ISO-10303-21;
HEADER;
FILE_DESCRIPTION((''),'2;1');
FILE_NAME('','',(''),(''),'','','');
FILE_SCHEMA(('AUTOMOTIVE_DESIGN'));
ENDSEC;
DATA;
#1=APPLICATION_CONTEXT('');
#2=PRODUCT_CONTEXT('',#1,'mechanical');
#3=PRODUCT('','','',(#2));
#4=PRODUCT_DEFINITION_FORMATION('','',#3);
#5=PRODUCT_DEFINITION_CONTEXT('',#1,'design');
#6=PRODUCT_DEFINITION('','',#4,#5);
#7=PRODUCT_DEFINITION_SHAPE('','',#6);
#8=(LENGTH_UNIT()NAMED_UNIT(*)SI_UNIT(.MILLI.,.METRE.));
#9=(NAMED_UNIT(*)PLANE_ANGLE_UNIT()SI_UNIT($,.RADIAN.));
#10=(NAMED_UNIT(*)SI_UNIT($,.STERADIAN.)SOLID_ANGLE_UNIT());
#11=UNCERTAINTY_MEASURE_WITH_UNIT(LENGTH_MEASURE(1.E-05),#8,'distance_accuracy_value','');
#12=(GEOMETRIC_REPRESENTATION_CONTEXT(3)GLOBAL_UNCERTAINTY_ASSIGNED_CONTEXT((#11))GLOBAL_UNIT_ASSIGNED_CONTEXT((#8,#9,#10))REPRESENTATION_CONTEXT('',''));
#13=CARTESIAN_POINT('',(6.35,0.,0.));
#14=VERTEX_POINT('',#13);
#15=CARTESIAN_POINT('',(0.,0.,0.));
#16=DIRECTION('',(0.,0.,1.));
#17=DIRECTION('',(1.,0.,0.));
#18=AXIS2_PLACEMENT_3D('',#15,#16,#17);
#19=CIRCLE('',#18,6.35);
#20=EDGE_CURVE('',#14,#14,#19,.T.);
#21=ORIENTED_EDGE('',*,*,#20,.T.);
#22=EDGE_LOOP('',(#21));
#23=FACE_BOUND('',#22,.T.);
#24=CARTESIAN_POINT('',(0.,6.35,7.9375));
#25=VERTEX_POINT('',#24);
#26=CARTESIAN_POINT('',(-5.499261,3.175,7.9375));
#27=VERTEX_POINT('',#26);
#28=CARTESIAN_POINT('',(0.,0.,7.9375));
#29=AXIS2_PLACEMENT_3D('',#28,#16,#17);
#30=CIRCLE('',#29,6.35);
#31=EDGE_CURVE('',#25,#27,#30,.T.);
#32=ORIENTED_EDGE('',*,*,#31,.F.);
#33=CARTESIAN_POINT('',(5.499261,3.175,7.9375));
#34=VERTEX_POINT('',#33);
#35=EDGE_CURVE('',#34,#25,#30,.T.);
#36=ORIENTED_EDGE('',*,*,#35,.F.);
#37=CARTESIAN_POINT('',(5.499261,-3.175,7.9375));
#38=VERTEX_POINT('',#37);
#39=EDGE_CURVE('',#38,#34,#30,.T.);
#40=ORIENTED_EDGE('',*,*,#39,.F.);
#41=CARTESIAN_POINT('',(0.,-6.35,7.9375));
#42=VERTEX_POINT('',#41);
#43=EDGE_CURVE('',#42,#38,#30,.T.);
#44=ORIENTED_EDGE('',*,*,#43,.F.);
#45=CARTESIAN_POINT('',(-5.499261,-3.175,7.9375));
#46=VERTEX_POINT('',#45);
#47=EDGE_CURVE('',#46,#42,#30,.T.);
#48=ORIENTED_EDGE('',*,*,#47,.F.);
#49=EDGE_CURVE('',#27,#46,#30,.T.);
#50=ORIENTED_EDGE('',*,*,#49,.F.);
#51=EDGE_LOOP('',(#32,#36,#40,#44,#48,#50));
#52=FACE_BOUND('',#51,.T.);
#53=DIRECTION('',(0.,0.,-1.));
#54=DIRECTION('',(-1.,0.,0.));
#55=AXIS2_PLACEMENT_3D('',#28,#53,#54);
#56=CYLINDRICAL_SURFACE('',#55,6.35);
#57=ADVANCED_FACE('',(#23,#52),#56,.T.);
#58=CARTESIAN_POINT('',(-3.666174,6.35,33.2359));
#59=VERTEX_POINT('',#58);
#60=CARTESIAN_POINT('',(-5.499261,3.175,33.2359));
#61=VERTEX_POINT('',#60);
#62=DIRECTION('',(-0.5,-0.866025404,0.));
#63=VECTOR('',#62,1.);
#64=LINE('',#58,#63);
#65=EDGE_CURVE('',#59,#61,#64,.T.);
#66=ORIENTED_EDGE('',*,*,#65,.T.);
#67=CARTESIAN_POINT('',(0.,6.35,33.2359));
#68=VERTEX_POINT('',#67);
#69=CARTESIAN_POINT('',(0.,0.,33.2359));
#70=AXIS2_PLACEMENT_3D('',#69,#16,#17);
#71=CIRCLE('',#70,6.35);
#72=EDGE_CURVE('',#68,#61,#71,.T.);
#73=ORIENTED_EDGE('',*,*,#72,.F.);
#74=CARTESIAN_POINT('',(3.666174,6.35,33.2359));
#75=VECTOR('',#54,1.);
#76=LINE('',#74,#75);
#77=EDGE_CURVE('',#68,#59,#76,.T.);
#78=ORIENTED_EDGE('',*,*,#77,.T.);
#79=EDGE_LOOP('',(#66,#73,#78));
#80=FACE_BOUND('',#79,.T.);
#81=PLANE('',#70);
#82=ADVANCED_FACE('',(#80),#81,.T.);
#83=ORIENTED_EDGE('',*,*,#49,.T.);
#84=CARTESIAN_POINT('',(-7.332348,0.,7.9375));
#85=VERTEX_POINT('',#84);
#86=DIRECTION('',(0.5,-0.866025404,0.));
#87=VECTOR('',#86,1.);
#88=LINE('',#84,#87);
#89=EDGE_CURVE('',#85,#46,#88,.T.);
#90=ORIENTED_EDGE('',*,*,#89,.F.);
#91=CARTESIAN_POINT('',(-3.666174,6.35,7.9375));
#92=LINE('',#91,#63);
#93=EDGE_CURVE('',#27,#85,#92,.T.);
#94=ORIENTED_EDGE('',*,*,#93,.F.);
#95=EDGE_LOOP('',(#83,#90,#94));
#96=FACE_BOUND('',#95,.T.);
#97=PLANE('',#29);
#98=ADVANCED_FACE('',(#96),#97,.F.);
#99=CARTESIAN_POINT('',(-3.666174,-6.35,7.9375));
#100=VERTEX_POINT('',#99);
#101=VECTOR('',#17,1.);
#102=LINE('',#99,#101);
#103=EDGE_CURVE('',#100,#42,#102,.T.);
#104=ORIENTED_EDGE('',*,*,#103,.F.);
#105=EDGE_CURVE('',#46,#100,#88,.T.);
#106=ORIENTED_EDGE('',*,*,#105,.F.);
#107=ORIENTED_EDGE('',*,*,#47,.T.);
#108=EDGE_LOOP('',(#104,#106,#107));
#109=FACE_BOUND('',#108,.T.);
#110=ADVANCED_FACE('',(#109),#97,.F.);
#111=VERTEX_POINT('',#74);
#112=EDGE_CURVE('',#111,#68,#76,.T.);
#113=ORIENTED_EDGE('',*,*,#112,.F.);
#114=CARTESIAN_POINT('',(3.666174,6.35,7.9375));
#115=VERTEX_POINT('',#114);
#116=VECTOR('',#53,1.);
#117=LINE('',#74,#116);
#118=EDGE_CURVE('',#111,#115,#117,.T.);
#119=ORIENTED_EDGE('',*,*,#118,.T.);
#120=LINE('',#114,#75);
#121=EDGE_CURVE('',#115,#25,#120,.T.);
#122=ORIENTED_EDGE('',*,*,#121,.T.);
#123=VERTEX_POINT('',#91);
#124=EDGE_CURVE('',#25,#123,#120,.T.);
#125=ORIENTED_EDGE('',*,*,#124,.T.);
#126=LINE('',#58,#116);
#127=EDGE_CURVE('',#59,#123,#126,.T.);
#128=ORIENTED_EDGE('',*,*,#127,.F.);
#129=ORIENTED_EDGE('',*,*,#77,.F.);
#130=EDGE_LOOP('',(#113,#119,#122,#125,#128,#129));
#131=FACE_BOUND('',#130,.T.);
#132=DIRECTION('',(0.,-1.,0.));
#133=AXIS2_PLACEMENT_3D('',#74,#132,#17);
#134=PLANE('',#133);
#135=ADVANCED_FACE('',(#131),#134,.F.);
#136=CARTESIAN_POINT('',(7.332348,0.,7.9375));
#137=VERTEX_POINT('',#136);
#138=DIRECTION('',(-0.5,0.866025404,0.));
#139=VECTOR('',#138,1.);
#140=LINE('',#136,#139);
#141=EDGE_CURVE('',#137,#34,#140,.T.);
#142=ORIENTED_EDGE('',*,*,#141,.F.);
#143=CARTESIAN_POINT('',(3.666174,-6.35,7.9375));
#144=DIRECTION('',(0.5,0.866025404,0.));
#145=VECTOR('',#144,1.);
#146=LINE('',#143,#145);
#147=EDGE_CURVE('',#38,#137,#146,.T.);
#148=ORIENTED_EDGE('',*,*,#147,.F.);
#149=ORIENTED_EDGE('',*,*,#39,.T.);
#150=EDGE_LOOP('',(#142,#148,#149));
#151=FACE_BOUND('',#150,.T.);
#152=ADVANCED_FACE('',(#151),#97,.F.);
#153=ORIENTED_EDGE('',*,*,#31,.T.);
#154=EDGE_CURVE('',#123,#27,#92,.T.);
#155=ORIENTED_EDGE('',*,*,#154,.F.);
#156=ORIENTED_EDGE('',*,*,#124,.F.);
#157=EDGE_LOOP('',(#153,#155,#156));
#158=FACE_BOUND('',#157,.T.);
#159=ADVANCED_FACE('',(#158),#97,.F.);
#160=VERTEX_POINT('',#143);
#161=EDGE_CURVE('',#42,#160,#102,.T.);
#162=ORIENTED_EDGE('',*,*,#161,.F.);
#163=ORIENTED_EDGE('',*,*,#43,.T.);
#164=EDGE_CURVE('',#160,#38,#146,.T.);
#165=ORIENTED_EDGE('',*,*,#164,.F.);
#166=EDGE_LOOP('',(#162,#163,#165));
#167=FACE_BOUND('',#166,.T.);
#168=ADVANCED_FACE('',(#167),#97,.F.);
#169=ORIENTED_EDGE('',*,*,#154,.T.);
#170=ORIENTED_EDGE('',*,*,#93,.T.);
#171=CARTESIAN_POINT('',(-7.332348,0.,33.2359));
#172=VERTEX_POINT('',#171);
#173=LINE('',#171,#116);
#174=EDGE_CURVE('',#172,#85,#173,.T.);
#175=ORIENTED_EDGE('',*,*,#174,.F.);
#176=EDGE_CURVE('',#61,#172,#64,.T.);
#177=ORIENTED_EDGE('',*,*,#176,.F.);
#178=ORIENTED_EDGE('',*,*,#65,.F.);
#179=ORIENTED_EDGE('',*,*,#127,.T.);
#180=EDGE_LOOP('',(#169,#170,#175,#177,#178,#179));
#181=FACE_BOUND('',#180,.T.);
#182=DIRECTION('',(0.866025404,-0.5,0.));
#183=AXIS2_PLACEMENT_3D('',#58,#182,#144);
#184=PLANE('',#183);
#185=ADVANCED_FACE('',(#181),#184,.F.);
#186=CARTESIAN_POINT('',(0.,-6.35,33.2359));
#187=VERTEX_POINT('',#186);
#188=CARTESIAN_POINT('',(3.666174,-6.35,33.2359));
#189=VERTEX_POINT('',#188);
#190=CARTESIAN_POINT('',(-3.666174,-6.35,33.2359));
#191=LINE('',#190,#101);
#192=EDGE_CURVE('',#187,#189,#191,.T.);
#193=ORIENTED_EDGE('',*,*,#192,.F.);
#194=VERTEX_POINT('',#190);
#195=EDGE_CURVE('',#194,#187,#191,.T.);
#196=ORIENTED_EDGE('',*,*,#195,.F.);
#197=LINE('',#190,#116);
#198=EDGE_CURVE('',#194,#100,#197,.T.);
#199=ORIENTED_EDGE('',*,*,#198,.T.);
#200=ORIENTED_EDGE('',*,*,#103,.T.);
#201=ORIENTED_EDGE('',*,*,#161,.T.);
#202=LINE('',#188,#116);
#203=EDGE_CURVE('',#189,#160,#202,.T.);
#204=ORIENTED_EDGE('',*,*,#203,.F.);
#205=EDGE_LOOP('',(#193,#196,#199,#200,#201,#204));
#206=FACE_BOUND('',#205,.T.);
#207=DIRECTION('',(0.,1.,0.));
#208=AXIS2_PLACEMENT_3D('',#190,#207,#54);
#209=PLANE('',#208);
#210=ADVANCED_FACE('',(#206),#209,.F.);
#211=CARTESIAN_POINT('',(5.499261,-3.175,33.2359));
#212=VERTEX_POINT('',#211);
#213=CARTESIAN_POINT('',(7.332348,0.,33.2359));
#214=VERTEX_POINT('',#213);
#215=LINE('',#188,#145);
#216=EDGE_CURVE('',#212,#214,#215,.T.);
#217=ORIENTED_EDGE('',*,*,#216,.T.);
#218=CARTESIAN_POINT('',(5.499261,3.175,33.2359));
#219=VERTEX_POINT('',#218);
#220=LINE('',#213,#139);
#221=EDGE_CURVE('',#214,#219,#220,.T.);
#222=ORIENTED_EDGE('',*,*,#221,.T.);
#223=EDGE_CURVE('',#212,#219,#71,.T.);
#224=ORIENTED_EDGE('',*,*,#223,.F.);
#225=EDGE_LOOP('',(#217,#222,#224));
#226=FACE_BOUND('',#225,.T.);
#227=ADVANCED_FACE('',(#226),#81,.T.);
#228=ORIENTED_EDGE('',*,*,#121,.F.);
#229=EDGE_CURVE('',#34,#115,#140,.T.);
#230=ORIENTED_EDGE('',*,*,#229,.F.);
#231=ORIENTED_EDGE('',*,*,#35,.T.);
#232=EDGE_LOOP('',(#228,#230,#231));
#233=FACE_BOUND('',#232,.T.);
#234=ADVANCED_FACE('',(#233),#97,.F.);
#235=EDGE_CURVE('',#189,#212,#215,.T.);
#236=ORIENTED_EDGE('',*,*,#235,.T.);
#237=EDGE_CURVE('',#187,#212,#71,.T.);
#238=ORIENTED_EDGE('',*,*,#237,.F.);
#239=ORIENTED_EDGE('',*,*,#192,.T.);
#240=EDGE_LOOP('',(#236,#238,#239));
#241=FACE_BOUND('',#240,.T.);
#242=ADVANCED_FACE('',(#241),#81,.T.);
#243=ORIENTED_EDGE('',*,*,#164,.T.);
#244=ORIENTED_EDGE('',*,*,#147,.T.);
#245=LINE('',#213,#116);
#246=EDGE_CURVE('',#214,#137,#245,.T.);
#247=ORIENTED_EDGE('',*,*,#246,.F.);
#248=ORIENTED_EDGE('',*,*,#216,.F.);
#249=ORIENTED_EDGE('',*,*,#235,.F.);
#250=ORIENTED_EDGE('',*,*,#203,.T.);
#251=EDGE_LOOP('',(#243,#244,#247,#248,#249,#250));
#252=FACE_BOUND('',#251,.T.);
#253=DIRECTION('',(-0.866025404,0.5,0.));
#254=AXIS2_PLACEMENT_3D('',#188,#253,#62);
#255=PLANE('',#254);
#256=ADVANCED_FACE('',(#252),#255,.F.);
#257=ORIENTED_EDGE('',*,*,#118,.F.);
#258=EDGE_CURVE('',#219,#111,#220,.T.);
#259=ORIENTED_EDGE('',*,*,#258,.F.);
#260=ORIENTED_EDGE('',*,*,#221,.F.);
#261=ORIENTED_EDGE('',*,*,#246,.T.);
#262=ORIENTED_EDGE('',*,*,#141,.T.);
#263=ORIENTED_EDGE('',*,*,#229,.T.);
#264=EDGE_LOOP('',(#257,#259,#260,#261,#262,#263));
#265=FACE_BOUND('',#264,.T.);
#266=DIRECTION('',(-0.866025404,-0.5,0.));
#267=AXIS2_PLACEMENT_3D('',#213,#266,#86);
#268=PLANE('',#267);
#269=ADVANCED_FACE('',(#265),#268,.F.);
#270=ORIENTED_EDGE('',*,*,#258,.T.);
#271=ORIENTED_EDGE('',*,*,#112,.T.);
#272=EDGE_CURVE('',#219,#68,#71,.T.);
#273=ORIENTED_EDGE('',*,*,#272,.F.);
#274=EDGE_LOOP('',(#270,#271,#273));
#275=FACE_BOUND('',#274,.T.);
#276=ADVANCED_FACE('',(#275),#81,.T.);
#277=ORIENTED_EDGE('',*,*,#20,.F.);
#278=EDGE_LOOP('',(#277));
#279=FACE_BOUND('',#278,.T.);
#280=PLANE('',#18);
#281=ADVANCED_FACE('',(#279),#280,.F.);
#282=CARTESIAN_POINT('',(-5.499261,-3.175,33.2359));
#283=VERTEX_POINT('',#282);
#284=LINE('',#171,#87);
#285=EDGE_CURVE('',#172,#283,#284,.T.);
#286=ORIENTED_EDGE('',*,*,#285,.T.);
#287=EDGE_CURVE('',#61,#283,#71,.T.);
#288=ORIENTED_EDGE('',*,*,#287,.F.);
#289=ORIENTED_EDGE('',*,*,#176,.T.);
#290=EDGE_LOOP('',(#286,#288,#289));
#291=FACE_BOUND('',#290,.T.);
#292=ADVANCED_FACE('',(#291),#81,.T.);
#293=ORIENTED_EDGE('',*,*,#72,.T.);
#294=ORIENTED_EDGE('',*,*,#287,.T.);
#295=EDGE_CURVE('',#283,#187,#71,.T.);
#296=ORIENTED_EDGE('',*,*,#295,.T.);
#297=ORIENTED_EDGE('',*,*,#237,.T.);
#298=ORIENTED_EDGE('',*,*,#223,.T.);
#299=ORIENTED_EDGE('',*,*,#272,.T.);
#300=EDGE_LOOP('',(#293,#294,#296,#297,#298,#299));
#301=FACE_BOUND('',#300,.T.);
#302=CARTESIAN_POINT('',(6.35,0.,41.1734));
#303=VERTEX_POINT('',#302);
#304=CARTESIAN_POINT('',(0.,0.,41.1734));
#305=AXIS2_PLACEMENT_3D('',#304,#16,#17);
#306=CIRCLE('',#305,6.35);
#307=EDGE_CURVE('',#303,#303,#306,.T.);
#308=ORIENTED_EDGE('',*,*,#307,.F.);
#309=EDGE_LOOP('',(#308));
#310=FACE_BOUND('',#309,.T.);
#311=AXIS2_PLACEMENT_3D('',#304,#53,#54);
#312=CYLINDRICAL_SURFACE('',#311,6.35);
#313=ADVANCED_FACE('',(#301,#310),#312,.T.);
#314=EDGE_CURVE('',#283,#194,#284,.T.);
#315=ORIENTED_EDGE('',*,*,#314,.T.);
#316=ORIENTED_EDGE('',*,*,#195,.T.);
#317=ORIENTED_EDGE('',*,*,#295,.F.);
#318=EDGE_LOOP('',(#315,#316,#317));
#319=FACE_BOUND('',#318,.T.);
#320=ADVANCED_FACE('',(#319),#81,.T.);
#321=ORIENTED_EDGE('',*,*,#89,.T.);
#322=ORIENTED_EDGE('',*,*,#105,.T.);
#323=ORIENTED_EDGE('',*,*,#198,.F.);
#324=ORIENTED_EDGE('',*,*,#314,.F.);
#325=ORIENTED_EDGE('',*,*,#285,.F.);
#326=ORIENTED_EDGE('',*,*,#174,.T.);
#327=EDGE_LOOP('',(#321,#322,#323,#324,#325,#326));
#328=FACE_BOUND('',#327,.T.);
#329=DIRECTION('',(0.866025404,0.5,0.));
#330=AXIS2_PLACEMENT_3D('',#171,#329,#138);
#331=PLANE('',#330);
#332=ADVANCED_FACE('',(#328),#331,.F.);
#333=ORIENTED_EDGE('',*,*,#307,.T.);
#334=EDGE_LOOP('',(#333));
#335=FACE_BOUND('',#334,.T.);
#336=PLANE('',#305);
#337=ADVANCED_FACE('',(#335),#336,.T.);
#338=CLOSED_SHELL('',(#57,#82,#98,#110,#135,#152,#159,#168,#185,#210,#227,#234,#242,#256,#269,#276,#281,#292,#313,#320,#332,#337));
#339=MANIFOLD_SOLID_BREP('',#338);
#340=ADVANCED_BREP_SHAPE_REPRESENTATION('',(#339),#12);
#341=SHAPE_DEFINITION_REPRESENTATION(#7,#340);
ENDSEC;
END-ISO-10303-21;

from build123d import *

# Parameters (mm, degrees)
SKETCH1_R           = 6.35
BOSS_EXTRUDE1_DEPTH = 7.9375
BOSS_EXTRUDE2_DEPTH = 25.2984
SKETCH3_R           = 6.35
BOSS_EXTRUDE3_DEPTH = 7.9375


with BuildPart() as part:
    # Sketch1 → Boss-Extrude1 (new body)
    with BuildSketch(Plane.XY):
        Circle(SKETCH1_R)
    extrude(amount=BOSS_EXTRUDE1_DEPTH)

    # Sketch2 → Boss-Extrude2 (add)
    with BuildSketch(Plane.XY.offset(7.9375)):
        Polygon((7.332348419, 0), (3.666174209, 6.35), (-3.666174209, 6.35), (-7.332348419, 0), (-3.666174209, -6.35), (3.666174209, -6.35), align=None)
    extrude(amount=BOSS_EXTRUDE2_DEPTH)

    # Sketch3 → Boss-Extrude3 (add)
    with BuildSketch(Plane.XY.offset(33.2359)):
        with Locations(Location((0, 0, 0), (0, 0, 150))):
            Circle(SKETCH3_R)
    extrude(amount=BOSS_EXTRUDE3_DEPTH)


solid = part.part
